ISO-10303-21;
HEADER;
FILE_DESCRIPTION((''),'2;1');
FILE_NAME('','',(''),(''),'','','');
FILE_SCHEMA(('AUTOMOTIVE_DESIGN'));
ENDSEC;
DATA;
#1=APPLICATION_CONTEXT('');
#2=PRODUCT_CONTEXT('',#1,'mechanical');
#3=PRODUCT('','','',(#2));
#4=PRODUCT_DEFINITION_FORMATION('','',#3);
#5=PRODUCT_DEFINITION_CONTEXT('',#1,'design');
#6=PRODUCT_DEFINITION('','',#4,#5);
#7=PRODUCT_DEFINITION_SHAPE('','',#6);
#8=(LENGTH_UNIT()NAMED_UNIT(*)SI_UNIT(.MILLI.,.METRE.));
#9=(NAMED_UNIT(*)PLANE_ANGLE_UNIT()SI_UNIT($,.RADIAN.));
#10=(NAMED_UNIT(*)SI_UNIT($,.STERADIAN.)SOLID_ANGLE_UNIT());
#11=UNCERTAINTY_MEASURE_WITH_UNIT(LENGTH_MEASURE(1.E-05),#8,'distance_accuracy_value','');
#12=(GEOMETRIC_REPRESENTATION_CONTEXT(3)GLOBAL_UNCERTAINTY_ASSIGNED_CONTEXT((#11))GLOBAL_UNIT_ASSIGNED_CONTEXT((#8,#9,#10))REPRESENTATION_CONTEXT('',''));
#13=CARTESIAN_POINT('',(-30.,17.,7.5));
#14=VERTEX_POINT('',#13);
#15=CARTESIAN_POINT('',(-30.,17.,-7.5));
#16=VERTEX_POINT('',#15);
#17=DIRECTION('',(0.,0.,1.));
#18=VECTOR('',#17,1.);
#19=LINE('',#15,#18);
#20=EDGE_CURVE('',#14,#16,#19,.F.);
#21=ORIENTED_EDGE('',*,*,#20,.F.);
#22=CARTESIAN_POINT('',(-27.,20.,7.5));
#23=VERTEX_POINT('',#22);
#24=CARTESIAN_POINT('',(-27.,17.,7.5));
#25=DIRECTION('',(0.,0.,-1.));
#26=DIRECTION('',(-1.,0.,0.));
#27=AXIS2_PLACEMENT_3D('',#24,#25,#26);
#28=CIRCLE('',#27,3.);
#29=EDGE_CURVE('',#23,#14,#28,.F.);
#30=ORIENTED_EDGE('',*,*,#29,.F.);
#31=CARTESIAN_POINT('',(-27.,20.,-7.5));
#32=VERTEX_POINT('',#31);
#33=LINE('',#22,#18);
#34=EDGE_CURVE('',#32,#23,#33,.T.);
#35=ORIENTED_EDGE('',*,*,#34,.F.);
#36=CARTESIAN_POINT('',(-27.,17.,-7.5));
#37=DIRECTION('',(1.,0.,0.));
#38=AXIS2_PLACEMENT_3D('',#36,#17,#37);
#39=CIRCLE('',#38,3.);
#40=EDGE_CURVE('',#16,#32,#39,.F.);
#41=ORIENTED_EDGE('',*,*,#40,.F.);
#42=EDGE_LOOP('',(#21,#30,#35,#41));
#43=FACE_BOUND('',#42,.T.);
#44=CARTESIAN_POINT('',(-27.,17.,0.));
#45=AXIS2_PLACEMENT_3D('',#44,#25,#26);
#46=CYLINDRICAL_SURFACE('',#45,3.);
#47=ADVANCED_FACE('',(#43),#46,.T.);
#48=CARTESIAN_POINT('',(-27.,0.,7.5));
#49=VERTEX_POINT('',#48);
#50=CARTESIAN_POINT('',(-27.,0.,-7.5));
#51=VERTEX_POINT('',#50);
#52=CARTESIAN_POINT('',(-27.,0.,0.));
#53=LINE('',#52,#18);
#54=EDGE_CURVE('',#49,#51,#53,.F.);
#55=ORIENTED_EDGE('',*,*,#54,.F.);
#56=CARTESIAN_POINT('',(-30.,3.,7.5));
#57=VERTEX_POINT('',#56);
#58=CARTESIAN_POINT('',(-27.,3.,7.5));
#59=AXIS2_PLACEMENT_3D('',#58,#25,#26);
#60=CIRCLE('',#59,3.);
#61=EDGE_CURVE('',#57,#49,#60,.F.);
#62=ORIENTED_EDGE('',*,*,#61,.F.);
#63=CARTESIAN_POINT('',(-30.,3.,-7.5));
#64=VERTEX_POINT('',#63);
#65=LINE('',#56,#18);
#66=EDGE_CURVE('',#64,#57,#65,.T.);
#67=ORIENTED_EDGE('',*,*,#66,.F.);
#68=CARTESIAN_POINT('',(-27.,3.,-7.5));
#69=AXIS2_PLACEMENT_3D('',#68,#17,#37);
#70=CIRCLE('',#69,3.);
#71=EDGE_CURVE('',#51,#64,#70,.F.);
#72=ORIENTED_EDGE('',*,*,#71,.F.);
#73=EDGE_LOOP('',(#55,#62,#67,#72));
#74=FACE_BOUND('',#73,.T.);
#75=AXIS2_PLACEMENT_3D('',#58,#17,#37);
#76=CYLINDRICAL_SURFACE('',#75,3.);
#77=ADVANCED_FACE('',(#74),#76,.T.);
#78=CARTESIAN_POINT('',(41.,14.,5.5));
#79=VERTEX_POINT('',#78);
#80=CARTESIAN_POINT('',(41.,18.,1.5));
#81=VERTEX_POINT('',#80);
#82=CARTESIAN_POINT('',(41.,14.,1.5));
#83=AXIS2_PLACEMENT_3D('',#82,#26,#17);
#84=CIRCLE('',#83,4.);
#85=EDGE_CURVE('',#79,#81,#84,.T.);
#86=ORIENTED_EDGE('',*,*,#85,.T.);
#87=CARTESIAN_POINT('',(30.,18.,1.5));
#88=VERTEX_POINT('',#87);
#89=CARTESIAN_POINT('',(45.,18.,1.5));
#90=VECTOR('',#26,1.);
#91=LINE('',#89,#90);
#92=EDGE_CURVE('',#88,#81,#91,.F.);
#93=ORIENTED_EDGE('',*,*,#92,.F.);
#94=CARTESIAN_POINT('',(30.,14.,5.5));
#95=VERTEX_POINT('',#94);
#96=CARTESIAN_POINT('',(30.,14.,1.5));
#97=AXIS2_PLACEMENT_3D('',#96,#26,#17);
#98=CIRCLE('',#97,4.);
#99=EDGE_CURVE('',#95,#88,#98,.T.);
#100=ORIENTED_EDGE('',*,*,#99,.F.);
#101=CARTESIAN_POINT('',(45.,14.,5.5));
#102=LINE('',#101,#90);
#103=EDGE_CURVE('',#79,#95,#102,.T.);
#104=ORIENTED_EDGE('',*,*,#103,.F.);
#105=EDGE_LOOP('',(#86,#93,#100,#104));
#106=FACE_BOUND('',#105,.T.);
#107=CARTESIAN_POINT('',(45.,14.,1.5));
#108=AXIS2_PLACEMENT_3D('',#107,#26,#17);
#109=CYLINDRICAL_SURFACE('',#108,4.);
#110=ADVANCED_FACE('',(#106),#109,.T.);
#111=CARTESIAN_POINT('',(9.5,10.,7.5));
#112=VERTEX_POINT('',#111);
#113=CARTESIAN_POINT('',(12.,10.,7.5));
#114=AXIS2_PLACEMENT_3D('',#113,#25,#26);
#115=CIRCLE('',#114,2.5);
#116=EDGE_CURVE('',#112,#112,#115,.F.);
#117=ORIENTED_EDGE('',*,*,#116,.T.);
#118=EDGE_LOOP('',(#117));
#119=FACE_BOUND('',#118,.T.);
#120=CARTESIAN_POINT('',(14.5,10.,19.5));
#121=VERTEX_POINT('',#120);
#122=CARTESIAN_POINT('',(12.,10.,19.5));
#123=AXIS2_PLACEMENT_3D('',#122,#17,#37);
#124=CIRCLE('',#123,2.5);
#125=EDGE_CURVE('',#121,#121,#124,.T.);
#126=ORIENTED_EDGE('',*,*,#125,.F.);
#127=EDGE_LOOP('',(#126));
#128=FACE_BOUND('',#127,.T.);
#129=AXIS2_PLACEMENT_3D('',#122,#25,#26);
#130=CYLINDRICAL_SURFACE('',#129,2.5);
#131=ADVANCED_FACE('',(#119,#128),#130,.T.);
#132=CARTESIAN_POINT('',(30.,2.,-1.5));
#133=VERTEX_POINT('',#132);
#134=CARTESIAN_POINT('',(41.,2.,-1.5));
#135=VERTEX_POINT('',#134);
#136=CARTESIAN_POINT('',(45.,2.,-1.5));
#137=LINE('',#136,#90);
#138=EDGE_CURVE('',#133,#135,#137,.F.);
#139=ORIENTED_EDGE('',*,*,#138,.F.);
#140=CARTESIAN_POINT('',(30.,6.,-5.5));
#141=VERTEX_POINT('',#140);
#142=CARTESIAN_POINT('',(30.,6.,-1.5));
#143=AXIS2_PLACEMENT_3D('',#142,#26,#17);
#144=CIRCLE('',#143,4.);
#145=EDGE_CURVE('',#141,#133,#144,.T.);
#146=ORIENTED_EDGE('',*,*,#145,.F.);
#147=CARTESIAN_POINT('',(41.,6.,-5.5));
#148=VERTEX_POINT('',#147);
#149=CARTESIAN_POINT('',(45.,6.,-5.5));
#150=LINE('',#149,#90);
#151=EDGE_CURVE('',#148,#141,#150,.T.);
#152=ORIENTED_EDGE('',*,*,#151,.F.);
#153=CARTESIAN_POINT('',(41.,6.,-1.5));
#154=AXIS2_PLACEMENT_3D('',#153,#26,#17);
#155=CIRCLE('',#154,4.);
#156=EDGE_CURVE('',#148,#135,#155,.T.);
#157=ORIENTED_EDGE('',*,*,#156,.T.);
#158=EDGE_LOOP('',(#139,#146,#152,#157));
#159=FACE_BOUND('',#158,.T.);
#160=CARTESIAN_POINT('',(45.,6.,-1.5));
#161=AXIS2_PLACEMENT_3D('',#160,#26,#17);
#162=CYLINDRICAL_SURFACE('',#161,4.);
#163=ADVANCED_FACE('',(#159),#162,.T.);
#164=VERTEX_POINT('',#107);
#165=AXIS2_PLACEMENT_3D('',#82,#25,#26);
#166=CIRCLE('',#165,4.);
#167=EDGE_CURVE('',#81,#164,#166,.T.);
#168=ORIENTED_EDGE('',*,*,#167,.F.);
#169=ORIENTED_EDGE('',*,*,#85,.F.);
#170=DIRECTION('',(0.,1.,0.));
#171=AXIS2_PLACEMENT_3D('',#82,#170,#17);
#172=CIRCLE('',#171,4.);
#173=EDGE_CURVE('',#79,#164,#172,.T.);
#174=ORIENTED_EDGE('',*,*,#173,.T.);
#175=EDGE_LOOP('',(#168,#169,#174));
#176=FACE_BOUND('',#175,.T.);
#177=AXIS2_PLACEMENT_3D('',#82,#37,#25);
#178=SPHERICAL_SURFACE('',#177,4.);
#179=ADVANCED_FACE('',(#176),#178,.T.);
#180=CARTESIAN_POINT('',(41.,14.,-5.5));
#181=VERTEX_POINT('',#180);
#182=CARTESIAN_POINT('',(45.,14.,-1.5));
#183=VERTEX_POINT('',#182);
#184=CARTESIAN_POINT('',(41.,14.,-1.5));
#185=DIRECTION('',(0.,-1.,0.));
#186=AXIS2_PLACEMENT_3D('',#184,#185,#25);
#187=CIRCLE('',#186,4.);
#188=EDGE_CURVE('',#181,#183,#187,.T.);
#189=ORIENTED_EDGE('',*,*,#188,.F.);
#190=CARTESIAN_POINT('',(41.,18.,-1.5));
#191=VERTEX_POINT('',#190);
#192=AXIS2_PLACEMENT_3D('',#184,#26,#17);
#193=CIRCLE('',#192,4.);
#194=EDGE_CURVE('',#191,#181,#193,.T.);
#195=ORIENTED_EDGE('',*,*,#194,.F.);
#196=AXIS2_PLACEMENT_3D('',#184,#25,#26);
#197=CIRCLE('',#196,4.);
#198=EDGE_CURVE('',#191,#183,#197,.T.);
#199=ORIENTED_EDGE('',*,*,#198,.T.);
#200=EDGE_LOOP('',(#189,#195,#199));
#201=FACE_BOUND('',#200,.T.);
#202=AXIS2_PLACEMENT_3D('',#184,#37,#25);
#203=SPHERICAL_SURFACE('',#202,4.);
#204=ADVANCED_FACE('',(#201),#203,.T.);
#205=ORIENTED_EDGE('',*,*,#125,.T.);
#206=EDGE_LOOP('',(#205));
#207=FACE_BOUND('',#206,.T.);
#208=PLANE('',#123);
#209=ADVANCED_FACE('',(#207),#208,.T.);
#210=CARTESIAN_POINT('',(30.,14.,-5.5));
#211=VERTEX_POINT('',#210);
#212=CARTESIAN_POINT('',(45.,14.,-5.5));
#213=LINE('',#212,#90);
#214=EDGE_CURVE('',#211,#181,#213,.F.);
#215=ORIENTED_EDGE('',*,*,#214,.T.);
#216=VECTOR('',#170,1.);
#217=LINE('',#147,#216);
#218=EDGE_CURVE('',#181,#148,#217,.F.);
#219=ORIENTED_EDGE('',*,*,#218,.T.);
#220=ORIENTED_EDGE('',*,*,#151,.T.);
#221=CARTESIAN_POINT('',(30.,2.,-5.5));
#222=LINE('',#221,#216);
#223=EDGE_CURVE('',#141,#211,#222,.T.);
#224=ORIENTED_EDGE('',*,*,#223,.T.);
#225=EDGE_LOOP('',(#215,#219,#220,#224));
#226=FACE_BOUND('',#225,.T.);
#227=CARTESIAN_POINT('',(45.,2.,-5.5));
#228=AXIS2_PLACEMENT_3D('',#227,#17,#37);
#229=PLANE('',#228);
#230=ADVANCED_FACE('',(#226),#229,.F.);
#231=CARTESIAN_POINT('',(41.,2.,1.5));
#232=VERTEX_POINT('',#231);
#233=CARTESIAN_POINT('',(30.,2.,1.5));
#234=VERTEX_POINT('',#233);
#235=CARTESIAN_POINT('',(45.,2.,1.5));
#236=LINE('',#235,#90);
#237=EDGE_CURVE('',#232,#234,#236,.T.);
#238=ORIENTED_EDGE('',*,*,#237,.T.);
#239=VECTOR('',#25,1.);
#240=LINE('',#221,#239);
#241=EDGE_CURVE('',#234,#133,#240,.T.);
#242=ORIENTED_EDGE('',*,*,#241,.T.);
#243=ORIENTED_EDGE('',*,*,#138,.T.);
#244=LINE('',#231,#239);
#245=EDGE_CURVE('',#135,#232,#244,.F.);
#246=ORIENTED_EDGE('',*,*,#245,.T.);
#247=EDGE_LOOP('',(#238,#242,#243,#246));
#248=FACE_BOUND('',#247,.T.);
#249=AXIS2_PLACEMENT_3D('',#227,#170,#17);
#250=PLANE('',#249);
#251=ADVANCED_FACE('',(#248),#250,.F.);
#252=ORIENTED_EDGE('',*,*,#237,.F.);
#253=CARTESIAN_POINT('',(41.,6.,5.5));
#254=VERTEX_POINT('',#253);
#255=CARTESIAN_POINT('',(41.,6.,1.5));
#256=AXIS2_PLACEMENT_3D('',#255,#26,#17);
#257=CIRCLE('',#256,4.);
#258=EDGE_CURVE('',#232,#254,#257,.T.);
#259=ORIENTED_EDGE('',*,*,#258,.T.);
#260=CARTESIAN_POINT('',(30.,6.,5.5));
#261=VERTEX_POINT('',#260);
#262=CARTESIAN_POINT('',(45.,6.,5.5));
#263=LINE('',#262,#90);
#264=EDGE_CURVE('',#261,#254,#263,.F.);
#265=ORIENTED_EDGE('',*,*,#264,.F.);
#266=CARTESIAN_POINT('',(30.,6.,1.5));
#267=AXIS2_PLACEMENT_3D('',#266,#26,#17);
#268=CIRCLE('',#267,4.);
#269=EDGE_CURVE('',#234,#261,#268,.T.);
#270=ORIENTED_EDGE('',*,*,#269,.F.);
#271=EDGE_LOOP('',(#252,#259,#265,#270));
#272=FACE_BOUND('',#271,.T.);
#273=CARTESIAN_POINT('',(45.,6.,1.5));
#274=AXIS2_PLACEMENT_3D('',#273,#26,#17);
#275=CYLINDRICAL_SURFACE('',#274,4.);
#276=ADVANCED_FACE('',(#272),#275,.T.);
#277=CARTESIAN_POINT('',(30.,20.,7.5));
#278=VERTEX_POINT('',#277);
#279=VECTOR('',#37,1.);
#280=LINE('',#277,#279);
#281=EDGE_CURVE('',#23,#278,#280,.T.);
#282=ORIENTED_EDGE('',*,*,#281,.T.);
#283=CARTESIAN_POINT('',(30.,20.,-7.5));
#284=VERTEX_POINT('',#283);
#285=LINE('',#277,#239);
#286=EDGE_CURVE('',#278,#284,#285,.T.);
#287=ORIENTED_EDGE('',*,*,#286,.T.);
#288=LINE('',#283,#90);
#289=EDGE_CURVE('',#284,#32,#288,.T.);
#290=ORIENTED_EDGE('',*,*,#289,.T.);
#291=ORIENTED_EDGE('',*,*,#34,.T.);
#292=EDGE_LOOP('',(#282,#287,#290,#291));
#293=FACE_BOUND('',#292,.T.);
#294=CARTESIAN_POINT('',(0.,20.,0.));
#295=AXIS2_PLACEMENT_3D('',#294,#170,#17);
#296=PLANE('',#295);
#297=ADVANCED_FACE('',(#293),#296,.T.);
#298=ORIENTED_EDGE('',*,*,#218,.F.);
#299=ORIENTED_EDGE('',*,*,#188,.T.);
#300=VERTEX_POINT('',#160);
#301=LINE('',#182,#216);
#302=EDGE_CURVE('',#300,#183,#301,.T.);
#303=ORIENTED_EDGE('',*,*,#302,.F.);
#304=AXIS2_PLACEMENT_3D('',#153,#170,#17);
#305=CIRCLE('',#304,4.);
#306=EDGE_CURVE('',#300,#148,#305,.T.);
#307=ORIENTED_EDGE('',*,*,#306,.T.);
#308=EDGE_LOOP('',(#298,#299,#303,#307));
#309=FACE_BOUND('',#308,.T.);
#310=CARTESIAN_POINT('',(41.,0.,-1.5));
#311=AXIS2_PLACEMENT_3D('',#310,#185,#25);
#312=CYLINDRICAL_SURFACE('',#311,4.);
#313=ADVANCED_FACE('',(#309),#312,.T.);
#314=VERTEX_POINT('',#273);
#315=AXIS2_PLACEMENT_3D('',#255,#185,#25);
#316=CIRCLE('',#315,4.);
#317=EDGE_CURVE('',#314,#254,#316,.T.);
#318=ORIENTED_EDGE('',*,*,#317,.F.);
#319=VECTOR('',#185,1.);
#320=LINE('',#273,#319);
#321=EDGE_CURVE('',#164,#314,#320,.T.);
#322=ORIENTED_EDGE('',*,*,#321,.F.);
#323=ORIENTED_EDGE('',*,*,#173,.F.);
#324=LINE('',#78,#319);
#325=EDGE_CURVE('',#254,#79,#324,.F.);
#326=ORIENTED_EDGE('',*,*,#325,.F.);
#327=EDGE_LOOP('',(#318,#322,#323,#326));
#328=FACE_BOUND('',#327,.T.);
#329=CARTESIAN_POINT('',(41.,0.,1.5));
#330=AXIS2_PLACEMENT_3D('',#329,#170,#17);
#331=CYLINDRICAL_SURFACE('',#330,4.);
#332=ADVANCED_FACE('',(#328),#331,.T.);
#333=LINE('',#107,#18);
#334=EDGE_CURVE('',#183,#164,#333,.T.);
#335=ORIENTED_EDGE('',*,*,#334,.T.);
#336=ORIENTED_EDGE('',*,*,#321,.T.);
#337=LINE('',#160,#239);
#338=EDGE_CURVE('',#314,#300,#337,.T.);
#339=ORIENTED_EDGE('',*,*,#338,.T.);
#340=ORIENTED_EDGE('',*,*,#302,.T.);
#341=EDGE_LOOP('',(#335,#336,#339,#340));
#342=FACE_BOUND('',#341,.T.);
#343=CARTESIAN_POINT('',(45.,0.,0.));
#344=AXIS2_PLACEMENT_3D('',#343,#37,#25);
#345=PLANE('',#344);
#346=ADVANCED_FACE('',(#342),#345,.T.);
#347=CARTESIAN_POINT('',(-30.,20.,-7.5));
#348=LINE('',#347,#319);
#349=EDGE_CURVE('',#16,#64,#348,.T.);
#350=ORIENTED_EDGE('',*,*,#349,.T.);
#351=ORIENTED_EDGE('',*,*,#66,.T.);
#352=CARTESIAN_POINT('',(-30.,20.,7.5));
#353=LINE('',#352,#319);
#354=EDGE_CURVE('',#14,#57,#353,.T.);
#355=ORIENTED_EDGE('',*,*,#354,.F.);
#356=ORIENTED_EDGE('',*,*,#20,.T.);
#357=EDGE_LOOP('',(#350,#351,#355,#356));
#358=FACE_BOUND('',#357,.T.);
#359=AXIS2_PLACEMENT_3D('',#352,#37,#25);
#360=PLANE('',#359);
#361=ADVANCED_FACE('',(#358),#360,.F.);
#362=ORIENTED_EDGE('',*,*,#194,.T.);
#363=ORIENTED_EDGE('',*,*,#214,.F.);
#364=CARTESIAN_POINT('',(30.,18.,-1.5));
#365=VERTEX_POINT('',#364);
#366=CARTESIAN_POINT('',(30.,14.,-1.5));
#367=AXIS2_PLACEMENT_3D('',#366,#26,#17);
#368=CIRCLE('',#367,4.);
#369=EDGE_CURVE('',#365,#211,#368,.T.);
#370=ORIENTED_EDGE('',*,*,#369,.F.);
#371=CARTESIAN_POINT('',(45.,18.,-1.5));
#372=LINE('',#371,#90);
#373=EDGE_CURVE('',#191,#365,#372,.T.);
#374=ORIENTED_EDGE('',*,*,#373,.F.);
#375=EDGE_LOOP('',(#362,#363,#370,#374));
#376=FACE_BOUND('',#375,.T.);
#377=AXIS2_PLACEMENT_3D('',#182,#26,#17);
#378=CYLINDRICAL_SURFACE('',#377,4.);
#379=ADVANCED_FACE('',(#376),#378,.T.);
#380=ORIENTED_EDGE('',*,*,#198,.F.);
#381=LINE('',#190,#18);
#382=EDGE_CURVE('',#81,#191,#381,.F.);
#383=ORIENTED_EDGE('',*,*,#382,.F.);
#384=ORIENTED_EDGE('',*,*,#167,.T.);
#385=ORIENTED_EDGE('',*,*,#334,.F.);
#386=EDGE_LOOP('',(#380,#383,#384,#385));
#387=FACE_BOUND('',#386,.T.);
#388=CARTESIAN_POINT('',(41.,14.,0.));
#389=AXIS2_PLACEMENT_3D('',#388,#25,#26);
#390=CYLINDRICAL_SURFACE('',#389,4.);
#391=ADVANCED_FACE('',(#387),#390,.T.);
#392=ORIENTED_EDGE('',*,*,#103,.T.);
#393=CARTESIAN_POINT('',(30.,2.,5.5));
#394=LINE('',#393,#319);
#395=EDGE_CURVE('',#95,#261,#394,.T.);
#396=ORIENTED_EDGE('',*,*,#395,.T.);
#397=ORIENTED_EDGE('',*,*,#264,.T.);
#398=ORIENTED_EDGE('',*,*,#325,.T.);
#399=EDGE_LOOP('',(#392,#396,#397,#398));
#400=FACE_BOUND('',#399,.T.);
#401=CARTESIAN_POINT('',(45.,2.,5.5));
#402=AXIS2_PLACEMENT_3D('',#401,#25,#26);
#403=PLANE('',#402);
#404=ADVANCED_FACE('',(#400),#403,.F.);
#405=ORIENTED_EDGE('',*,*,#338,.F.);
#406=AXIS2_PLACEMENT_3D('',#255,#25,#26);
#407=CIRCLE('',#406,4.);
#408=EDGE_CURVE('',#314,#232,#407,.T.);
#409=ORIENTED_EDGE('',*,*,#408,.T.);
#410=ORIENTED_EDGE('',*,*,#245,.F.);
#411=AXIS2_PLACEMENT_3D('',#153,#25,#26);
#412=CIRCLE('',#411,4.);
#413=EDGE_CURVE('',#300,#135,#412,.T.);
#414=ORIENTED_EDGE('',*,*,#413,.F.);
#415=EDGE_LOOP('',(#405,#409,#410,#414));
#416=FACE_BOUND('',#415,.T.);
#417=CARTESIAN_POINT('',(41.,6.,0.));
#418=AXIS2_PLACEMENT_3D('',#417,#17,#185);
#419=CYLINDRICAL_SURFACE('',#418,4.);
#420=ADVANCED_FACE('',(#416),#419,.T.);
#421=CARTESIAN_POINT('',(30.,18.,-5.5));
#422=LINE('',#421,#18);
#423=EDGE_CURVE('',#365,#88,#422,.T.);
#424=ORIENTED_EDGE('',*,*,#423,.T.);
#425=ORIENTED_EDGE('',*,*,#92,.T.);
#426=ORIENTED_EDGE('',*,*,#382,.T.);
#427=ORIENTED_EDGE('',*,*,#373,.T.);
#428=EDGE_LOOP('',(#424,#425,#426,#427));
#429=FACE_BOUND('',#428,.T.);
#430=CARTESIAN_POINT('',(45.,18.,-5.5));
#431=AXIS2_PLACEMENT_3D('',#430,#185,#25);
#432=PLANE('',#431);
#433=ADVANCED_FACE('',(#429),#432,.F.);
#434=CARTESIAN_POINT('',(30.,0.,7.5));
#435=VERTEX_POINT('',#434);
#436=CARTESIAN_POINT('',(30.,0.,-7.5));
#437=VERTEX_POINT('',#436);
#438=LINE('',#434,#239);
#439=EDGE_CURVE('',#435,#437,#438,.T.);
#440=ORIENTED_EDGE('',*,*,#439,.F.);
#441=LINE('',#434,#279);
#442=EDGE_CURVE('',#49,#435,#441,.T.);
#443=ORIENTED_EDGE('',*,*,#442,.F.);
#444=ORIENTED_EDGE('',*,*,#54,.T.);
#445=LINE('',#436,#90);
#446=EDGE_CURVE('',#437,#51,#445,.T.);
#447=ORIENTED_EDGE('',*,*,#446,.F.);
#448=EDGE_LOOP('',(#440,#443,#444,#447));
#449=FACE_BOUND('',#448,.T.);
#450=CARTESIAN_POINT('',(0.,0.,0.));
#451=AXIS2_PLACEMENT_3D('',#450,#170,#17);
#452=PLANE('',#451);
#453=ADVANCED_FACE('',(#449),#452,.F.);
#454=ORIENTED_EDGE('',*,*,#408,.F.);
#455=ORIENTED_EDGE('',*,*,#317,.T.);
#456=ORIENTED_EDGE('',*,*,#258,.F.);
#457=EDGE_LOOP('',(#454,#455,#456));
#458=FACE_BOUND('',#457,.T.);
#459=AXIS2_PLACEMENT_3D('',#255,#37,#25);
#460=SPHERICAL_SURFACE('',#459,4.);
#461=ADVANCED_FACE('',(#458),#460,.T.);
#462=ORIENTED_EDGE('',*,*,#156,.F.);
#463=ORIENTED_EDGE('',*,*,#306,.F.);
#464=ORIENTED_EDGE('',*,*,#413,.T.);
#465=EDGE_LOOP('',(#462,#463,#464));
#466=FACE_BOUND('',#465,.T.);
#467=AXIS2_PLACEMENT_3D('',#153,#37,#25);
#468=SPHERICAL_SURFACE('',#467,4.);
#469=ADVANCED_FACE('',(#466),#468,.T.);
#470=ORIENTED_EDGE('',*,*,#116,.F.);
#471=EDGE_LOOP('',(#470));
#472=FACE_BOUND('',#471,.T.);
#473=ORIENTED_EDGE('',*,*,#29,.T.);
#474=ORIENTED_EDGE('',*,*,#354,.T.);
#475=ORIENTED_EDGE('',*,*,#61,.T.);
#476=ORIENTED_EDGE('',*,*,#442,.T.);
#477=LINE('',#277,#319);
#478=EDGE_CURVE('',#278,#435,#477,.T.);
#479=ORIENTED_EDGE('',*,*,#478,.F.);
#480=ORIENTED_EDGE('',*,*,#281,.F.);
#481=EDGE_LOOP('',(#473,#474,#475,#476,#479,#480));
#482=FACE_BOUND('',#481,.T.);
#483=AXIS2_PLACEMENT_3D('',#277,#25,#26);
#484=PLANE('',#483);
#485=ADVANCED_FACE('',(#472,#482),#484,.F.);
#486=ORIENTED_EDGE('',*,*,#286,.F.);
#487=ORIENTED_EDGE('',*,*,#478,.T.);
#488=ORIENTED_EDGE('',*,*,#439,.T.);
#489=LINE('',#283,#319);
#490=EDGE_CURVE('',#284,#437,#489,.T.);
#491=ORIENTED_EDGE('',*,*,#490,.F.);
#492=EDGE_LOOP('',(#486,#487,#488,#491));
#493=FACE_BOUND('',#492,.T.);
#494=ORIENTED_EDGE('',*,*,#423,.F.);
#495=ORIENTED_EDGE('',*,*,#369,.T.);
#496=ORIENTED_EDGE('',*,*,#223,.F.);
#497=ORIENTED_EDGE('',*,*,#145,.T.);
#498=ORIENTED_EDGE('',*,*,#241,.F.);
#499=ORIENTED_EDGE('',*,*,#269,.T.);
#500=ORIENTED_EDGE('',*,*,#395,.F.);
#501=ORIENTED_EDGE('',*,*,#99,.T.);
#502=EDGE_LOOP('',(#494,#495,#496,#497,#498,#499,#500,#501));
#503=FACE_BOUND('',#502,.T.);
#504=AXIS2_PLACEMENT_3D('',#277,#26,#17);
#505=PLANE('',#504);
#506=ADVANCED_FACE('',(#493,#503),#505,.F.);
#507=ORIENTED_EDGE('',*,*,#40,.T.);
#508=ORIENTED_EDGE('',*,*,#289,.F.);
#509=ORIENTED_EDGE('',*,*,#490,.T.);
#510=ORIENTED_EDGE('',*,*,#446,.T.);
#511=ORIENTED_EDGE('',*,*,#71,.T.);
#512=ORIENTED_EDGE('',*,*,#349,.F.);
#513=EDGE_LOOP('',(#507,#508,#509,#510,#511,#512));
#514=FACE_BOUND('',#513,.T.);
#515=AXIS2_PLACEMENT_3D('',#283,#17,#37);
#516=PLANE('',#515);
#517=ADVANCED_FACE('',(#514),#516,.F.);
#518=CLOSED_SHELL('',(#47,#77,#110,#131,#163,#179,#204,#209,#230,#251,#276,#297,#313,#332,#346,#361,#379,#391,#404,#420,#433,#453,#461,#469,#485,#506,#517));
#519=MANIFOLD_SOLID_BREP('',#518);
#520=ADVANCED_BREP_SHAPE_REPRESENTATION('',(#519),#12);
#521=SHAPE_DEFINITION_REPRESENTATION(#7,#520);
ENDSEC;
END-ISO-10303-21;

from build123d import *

# Parameters (mm, degrees)
SKETCH1_W           = 60
SKETCH1_H           = 15
BOSS_EXTRUDE1_DEPTH = 20
SKETCH2_R           = 2.5
BOSS_EXTRUDE2_DEPTH = 12
SKETCH3_W           = 11
SKETCH3_H           = 16
BOSS_EXTRUDE3_DEPTH = 15
FILLET1_R           = 4
FILLET2_R           = 4
FILLET3_R           = 3


with BuildPart() as part:
    # Sketch1 → Boss-Extrude1 (new body)
    with BuildSketch(Plane(origin=(0, 0, 0), x_dir=(1, 0, 0), z_dir=(0, 1, 0))):
        Rectangle(SKETCH1_W, SKETCH1_H)
    extrude(amount=BOSS_EXTRUDE1_DEPTH)

    # Sketch2 → Boss-Extrude2 (add)
    with BuildSketch(Plane.XY.offset(7.5)):
        with Locations(Location((12, 10, 0), (0, 0, 180))):
            Circle(SKETCH2_R)
    extrude(amount=BOSS_EXTRUDE2_DEPTH)

    # Sketch3 → Boss-Extrude3 (add)
    with BuildSketch(Plane(origin=(30, 0, 0), x_dir=(0, 0, -1), z_dir=(1, 0, 0))):
        with Locations((0, 10)):
            Rectangle(SKETCH3_W, SKETCH3_H)
    extrude(amount=BOSS_EXTRUDE3_DEPTH)

    # Fillet1
    fillet1_edges = [part.edges().sort_by_distance(p)[0] for p in [
        (37.5, 18, 5.5),
        (37.5, 2, 5.5),
        (37.5, 2, -5.5),
        (37.5, 18, -5.5),
    ]]
    fillet(fillet1_edges, radius=FILLET1_R)

    # Fillet2
    fillet2_edges = [part.edges().sort_by_distance(p)[0] for p in [
        (45, 10, 5.5),
        (45, 18, 0),
        (45, 2, 0),
        (45, 10, -5.5),
        (45, 3.171572875, 4.328427125),
        (45, 3.171572875, -4.328427125),
        (45, 16.828427125, -4.328427125),
        (45, 16.828427125, 4.328427125),
    ]]
    fillet(fillet2_edges, radius=FILLET2_R)

    # Fillet3
    fillet3_edges = [part.edges().sort_by_distance(p)[0] for p in [
        (-30, 20, 0),
        (-30, 0, 0),
    ]]
    fillet(fillet3_edges, radius=FILLET3_R)


solid = part.part
